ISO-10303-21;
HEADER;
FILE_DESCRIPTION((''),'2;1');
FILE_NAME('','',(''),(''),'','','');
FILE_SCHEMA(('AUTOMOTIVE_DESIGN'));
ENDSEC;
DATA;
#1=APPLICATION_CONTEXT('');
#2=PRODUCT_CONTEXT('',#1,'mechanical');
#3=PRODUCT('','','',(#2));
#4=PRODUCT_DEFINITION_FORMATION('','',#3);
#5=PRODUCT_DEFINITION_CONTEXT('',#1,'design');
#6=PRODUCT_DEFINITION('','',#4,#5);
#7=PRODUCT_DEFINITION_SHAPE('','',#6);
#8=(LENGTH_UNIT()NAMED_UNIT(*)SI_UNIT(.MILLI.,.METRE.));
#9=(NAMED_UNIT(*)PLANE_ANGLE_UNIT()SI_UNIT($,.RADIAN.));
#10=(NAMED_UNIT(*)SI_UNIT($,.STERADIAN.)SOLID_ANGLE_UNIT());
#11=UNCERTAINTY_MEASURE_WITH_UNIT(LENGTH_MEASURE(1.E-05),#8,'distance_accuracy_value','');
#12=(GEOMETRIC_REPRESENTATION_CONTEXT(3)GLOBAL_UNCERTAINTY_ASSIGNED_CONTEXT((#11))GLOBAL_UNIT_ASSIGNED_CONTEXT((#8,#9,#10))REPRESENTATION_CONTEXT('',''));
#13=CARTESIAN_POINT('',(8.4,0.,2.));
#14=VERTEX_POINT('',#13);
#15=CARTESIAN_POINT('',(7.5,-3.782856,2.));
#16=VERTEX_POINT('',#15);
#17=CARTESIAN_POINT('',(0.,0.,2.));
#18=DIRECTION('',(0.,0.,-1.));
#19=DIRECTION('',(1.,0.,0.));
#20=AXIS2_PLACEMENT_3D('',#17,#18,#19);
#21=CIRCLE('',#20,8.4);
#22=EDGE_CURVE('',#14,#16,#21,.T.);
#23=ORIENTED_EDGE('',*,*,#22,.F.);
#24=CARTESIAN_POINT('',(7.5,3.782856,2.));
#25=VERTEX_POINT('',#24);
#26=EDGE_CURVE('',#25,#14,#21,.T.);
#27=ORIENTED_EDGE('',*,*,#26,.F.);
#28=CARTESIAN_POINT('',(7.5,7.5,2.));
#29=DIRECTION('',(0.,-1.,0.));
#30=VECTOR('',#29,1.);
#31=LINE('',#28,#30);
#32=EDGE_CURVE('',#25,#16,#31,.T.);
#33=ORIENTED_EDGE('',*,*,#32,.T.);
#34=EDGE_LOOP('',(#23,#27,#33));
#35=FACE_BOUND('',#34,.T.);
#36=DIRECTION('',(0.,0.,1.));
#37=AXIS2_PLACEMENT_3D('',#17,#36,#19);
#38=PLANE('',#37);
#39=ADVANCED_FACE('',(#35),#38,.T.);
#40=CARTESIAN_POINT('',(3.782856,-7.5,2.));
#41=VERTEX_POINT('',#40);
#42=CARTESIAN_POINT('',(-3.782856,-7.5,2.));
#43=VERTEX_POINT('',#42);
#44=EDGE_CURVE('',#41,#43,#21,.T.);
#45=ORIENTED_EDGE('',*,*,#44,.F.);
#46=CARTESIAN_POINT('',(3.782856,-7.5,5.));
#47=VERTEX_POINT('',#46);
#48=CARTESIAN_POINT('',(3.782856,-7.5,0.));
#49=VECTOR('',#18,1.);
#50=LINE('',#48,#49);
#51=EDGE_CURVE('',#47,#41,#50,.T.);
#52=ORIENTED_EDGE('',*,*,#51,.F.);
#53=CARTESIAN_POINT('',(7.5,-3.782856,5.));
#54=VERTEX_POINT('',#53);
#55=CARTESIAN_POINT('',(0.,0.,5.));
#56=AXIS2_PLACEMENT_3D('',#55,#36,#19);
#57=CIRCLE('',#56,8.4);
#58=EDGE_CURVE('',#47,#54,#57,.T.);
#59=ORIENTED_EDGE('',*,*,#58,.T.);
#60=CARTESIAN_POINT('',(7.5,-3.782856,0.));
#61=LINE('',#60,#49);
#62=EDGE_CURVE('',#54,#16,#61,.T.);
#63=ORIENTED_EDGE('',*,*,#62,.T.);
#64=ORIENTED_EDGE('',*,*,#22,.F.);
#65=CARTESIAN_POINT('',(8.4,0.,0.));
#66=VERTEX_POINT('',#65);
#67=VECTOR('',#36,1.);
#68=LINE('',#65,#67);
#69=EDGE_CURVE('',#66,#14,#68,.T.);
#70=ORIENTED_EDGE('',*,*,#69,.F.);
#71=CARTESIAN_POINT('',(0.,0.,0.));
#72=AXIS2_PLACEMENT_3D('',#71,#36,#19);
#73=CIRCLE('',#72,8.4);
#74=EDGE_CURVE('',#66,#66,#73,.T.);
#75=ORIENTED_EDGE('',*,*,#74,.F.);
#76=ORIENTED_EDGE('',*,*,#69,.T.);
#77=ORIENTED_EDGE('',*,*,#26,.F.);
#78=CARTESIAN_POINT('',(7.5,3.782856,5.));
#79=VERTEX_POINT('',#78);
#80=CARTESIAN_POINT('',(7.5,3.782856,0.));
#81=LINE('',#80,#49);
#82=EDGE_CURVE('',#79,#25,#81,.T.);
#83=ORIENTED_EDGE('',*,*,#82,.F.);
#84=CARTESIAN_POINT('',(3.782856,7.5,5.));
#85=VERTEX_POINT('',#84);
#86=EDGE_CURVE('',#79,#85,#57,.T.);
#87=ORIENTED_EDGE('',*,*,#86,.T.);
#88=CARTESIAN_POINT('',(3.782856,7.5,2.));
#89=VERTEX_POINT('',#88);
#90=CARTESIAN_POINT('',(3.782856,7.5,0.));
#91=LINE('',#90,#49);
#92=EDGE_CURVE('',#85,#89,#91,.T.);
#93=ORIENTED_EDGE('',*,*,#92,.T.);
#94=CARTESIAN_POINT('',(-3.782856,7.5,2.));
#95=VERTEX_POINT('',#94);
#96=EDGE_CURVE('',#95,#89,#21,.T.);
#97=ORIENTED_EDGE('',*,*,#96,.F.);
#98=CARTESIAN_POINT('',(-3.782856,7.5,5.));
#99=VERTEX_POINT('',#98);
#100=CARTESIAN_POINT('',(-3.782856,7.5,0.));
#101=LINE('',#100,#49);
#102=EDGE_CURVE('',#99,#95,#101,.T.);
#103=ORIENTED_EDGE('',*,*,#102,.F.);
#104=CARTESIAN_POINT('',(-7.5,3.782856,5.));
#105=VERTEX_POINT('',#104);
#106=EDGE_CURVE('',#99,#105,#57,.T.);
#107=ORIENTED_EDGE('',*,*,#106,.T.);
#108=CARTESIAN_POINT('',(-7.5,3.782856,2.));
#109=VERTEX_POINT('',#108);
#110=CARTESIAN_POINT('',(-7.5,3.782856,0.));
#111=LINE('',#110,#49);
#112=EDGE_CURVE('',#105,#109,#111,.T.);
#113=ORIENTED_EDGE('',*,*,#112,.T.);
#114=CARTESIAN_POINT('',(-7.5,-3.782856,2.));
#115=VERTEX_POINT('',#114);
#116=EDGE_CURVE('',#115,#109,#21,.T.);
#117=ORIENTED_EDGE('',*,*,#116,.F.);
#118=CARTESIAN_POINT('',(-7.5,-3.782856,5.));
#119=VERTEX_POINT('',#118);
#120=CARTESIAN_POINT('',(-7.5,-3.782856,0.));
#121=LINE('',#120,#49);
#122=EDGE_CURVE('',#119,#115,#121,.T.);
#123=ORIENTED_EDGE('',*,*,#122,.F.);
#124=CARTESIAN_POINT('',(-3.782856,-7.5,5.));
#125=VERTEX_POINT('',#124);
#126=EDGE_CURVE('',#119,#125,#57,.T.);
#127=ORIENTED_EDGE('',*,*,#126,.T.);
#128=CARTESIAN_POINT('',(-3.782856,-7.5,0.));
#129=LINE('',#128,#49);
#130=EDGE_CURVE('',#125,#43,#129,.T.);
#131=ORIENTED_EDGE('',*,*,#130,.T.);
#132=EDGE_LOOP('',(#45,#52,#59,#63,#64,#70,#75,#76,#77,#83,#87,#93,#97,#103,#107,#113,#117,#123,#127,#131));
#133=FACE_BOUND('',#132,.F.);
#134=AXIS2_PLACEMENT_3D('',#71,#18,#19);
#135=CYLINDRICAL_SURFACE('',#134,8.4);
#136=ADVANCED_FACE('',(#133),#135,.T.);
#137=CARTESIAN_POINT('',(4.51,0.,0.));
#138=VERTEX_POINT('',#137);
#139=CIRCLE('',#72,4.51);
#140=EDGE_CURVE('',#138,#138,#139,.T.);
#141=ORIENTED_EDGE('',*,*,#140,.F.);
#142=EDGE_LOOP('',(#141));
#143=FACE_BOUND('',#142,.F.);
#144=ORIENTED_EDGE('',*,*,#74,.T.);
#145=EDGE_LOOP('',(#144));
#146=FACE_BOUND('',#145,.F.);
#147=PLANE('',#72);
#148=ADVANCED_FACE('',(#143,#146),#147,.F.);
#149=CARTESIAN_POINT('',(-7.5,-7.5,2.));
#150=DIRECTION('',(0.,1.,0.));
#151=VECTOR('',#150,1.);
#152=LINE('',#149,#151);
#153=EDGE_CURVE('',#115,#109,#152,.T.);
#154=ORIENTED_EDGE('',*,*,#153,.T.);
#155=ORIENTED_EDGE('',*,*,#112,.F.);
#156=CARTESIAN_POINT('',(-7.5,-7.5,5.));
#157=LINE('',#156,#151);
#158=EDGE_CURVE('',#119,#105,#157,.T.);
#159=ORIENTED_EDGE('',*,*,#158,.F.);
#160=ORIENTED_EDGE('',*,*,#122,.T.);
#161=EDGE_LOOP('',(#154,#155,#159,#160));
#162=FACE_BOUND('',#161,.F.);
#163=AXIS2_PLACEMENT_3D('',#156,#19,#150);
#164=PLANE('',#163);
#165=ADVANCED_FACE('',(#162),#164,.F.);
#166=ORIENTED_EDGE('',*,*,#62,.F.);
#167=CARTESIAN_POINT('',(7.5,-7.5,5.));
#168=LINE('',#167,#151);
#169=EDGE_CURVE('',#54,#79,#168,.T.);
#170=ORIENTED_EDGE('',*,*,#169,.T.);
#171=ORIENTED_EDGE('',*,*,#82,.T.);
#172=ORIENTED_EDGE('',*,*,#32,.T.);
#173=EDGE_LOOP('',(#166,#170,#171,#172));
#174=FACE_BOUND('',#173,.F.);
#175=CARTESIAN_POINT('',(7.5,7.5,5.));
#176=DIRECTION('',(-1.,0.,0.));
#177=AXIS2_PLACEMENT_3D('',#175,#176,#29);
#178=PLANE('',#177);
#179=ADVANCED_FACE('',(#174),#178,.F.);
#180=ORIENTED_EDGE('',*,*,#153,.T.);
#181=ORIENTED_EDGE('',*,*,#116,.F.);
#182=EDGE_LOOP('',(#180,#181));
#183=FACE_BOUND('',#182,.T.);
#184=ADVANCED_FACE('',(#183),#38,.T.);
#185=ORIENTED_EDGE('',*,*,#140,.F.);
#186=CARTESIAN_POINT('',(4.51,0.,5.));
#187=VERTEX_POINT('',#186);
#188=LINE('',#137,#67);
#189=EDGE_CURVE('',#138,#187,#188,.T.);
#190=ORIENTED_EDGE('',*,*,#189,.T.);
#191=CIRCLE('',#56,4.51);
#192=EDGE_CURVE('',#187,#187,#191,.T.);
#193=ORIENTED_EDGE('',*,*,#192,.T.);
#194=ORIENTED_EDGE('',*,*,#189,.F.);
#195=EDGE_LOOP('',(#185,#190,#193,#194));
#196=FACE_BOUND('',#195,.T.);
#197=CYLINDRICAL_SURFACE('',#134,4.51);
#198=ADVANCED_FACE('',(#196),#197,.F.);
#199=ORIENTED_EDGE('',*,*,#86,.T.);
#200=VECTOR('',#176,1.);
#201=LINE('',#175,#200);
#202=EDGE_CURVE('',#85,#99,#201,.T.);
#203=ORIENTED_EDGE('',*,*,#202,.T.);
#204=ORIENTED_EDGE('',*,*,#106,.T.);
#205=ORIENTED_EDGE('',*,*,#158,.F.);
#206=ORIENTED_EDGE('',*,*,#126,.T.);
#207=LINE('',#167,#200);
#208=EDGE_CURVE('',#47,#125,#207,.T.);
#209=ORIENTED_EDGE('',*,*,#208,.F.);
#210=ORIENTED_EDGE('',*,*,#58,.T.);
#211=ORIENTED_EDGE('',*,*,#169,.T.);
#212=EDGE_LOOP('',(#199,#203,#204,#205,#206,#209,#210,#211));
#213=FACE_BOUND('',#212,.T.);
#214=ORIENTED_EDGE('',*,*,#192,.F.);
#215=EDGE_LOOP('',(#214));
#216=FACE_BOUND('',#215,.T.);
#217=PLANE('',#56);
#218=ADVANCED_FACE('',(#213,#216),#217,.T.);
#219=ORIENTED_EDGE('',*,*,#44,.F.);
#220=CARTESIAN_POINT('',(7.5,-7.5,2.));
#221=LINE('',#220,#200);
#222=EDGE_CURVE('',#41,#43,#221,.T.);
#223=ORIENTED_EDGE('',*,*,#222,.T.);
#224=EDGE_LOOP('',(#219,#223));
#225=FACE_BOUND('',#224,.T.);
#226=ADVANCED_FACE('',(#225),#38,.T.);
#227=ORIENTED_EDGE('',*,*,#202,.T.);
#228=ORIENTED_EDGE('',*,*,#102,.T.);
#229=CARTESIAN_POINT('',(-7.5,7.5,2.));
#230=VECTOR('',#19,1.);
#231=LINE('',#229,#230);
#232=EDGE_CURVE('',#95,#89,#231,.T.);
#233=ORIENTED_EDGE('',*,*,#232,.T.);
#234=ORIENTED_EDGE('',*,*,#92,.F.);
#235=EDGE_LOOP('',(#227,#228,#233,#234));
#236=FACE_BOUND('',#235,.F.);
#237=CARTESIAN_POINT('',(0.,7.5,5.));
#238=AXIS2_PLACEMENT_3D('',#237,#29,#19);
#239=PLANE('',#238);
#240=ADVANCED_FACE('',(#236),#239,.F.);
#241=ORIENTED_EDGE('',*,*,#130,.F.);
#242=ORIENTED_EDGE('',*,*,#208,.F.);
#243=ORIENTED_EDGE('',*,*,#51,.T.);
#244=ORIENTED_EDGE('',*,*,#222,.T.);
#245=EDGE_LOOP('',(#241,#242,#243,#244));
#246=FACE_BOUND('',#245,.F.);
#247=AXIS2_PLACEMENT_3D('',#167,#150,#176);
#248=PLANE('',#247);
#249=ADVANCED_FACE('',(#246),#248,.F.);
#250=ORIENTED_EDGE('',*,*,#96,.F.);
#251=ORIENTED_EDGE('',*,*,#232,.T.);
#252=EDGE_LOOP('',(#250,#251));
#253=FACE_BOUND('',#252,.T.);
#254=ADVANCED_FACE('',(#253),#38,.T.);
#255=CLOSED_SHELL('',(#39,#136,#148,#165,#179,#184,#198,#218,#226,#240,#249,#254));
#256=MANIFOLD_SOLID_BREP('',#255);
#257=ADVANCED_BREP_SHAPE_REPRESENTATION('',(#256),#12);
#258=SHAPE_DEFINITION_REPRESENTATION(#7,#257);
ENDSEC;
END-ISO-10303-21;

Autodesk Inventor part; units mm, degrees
ref_plane "YZ Plane" through (0, 0, 0) normal (1, 0, 0) x (0, 1, 0)
ref_plane "XZ Plane" through (0, 0, 0) normal (0, 1, 0) x (-1, 0, 0)
ref_plane "XY Plane" through (0, 0, 0) normal (0, 0, 1) x (1, 0, 0)
sketch "Sketch1" plane through (0, 0, 0) normal (0, 0, 1) x (1, 0, 0)
  circle A0 centre (0, 0) radius 4.51
  circle A1 centre (0, 0) radius 8.4
  dimension "d0" = 9.02
  dimension "d1" = 16.8
extrude "Extrusion1" add sketch "Sketch1" along normal blind 5
sketch "Sketch2" plane through (0, 0, 5) normal (0, 0, 1) x (1, 0, 0)
  line L0 (-7.5, 7.5) -> (7.5, 7.5)
  line L1 (7.5, 7.5) -> (7.5, -7.5)
  line L2 (7.5, -7.5) -> (-7.5, -7.5)
  line L3 (-7.5, -7.5) -> (-7.5, 7.5)
  line L4 (0, 0) -> (0, 8.3867)
  line L5 (0, 0) -> (9.7878, 0)
  circle A0 centre (0, 0) radius 10.6066
  point P0 (0, 7.5)
  point P1 (7.5, 0)
  dimension "d4" = 15
extrude "Extrusion2" cut sketch "Sketch2" against normal blind 3 contours A0 L0 | L3 A0 | L2 A0 | A0 L1
properties part number "TuercaD_eje" material "Steel"
